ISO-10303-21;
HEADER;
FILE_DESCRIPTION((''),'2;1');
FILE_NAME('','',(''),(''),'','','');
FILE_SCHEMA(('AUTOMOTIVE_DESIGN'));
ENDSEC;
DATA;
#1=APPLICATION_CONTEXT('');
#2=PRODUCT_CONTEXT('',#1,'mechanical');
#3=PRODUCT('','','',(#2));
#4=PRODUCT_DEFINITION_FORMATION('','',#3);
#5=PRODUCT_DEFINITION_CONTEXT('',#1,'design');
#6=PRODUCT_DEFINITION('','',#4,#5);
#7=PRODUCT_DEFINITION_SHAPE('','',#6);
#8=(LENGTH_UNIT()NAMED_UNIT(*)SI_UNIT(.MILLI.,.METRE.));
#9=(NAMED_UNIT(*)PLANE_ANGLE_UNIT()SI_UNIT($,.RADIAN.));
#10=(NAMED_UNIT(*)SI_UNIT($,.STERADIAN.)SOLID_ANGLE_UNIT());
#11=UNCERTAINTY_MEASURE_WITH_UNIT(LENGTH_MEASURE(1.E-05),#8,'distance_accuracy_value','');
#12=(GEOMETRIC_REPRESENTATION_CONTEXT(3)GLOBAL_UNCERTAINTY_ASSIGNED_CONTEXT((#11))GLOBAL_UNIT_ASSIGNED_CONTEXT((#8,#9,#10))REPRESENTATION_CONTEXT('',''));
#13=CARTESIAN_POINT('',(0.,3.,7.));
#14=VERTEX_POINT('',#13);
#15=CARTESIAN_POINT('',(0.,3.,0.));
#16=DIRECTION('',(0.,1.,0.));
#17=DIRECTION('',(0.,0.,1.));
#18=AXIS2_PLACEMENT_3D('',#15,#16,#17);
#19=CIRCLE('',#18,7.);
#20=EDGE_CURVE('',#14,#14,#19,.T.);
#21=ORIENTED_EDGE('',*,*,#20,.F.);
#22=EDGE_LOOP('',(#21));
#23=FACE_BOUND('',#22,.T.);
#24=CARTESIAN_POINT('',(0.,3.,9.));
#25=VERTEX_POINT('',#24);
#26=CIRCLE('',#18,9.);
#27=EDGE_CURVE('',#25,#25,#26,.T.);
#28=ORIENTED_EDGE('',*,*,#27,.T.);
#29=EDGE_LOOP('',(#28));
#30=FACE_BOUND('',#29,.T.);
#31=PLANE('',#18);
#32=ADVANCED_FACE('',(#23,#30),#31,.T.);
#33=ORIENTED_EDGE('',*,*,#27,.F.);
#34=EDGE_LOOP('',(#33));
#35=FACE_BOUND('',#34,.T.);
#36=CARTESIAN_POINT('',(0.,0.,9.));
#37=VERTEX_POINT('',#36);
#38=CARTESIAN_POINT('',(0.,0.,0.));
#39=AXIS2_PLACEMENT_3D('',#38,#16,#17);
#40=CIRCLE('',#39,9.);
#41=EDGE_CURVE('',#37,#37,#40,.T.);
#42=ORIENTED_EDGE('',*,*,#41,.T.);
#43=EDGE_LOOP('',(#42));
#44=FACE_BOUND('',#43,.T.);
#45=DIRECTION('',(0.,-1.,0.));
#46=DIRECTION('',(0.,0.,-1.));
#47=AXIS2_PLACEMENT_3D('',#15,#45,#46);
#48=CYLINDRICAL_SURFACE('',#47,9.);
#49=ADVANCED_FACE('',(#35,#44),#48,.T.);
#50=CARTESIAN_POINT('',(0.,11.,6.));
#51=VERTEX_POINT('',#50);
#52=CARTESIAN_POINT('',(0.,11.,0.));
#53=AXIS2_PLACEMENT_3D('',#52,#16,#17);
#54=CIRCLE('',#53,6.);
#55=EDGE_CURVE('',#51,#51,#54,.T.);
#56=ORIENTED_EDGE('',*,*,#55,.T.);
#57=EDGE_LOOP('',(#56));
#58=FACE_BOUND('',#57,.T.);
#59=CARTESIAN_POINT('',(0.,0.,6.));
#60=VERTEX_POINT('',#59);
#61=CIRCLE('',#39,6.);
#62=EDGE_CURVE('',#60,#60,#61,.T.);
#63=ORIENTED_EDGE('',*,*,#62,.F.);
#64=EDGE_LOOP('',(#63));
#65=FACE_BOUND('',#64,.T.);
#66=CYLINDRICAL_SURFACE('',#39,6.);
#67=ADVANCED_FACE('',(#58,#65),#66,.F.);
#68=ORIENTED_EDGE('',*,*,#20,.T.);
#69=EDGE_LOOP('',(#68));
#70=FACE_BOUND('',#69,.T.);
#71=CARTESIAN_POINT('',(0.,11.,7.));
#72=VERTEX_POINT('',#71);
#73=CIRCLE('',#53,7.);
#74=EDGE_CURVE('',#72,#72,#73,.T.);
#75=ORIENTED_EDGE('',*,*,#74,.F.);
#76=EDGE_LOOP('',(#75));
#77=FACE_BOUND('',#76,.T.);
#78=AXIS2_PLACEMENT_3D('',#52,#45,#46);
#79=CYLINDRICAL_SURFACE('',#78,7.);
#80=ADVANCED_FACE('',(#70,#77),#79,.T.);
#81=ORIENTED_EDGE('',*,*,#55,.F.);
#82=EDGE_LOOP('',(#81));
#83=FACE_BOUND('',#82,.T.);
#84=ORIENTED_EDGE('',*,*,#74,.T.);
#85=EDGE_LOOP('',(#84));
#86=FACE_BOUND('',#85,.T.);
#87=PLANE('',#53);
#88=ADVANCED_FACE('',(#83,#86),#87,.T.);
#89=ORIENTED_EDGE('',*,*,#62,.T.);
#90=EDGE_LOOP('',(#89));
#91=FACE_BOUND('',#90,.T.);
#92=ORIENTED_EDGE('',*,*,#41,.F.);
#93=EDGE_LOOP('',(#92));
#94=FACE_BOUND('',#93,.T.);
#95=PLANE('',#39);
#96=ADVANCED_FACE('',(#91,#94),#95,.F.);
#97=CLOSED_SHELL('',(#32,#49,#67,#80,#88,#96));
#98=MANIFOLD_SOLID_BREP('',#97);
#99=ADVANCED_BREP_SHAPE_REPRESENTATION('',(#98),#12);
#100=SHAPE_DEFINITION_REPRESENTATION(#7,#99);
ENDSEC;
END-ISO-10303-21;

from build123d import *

# Parameters (mm, degrees)
SKETCH1_R           = 9
BOSS_EXTRUDE1_DEPTH = 3
SKETCH2_R           = 7
BOSS_EXTRUDE2_DEPTH = 8
SKETCH3_R           = 6
CUT_EXTRUDE1_DEPTH  = 17.822603841


with BuildPart() as part:
    # Sketch1 → Boss-Extrude1 (new body)
    with BuildSketch(Plane(origin=(0, 0, 0), x_dir=(1, 0, 0), z_dir=(0, 1, 0))):
        with Locations(Location((0, 0, 0), (0, 0, 270))):
            Circle(SKETCH1_R)
    extrude(amount=BOSS_EXTRUDE1_DEPTH)

    # Sketch2 → Boss-Extrude2 (add)
    with BuildSketch(Plane(origin=(0, 3, 0), x_dir=(1, 0, 0), z_dir=(0, 1, 0))):
        with Locations(Location((0, 0, 0), (0, 0, 270))):
            Circle(SKETCH2_R)
    extrude(amount=BOSS_EXTRUDE2_DEPTH)

    # Sketch3 → Cut-Extrude1 (cut, through all)
    with BuildSketch(Plane(origin=(0, 11, 0), x_dir=(1, 0, 0), z_dir=(0, 1, 0))):
        with Locations(Location((0, 0, 0), (0, 0, 270))):
            Circle(SKETCH3_R)
    extrude(amount=-CUT_EXTRUDE1_DEPTH, mode=Mode.SUBTRACT)


solid = part.part
